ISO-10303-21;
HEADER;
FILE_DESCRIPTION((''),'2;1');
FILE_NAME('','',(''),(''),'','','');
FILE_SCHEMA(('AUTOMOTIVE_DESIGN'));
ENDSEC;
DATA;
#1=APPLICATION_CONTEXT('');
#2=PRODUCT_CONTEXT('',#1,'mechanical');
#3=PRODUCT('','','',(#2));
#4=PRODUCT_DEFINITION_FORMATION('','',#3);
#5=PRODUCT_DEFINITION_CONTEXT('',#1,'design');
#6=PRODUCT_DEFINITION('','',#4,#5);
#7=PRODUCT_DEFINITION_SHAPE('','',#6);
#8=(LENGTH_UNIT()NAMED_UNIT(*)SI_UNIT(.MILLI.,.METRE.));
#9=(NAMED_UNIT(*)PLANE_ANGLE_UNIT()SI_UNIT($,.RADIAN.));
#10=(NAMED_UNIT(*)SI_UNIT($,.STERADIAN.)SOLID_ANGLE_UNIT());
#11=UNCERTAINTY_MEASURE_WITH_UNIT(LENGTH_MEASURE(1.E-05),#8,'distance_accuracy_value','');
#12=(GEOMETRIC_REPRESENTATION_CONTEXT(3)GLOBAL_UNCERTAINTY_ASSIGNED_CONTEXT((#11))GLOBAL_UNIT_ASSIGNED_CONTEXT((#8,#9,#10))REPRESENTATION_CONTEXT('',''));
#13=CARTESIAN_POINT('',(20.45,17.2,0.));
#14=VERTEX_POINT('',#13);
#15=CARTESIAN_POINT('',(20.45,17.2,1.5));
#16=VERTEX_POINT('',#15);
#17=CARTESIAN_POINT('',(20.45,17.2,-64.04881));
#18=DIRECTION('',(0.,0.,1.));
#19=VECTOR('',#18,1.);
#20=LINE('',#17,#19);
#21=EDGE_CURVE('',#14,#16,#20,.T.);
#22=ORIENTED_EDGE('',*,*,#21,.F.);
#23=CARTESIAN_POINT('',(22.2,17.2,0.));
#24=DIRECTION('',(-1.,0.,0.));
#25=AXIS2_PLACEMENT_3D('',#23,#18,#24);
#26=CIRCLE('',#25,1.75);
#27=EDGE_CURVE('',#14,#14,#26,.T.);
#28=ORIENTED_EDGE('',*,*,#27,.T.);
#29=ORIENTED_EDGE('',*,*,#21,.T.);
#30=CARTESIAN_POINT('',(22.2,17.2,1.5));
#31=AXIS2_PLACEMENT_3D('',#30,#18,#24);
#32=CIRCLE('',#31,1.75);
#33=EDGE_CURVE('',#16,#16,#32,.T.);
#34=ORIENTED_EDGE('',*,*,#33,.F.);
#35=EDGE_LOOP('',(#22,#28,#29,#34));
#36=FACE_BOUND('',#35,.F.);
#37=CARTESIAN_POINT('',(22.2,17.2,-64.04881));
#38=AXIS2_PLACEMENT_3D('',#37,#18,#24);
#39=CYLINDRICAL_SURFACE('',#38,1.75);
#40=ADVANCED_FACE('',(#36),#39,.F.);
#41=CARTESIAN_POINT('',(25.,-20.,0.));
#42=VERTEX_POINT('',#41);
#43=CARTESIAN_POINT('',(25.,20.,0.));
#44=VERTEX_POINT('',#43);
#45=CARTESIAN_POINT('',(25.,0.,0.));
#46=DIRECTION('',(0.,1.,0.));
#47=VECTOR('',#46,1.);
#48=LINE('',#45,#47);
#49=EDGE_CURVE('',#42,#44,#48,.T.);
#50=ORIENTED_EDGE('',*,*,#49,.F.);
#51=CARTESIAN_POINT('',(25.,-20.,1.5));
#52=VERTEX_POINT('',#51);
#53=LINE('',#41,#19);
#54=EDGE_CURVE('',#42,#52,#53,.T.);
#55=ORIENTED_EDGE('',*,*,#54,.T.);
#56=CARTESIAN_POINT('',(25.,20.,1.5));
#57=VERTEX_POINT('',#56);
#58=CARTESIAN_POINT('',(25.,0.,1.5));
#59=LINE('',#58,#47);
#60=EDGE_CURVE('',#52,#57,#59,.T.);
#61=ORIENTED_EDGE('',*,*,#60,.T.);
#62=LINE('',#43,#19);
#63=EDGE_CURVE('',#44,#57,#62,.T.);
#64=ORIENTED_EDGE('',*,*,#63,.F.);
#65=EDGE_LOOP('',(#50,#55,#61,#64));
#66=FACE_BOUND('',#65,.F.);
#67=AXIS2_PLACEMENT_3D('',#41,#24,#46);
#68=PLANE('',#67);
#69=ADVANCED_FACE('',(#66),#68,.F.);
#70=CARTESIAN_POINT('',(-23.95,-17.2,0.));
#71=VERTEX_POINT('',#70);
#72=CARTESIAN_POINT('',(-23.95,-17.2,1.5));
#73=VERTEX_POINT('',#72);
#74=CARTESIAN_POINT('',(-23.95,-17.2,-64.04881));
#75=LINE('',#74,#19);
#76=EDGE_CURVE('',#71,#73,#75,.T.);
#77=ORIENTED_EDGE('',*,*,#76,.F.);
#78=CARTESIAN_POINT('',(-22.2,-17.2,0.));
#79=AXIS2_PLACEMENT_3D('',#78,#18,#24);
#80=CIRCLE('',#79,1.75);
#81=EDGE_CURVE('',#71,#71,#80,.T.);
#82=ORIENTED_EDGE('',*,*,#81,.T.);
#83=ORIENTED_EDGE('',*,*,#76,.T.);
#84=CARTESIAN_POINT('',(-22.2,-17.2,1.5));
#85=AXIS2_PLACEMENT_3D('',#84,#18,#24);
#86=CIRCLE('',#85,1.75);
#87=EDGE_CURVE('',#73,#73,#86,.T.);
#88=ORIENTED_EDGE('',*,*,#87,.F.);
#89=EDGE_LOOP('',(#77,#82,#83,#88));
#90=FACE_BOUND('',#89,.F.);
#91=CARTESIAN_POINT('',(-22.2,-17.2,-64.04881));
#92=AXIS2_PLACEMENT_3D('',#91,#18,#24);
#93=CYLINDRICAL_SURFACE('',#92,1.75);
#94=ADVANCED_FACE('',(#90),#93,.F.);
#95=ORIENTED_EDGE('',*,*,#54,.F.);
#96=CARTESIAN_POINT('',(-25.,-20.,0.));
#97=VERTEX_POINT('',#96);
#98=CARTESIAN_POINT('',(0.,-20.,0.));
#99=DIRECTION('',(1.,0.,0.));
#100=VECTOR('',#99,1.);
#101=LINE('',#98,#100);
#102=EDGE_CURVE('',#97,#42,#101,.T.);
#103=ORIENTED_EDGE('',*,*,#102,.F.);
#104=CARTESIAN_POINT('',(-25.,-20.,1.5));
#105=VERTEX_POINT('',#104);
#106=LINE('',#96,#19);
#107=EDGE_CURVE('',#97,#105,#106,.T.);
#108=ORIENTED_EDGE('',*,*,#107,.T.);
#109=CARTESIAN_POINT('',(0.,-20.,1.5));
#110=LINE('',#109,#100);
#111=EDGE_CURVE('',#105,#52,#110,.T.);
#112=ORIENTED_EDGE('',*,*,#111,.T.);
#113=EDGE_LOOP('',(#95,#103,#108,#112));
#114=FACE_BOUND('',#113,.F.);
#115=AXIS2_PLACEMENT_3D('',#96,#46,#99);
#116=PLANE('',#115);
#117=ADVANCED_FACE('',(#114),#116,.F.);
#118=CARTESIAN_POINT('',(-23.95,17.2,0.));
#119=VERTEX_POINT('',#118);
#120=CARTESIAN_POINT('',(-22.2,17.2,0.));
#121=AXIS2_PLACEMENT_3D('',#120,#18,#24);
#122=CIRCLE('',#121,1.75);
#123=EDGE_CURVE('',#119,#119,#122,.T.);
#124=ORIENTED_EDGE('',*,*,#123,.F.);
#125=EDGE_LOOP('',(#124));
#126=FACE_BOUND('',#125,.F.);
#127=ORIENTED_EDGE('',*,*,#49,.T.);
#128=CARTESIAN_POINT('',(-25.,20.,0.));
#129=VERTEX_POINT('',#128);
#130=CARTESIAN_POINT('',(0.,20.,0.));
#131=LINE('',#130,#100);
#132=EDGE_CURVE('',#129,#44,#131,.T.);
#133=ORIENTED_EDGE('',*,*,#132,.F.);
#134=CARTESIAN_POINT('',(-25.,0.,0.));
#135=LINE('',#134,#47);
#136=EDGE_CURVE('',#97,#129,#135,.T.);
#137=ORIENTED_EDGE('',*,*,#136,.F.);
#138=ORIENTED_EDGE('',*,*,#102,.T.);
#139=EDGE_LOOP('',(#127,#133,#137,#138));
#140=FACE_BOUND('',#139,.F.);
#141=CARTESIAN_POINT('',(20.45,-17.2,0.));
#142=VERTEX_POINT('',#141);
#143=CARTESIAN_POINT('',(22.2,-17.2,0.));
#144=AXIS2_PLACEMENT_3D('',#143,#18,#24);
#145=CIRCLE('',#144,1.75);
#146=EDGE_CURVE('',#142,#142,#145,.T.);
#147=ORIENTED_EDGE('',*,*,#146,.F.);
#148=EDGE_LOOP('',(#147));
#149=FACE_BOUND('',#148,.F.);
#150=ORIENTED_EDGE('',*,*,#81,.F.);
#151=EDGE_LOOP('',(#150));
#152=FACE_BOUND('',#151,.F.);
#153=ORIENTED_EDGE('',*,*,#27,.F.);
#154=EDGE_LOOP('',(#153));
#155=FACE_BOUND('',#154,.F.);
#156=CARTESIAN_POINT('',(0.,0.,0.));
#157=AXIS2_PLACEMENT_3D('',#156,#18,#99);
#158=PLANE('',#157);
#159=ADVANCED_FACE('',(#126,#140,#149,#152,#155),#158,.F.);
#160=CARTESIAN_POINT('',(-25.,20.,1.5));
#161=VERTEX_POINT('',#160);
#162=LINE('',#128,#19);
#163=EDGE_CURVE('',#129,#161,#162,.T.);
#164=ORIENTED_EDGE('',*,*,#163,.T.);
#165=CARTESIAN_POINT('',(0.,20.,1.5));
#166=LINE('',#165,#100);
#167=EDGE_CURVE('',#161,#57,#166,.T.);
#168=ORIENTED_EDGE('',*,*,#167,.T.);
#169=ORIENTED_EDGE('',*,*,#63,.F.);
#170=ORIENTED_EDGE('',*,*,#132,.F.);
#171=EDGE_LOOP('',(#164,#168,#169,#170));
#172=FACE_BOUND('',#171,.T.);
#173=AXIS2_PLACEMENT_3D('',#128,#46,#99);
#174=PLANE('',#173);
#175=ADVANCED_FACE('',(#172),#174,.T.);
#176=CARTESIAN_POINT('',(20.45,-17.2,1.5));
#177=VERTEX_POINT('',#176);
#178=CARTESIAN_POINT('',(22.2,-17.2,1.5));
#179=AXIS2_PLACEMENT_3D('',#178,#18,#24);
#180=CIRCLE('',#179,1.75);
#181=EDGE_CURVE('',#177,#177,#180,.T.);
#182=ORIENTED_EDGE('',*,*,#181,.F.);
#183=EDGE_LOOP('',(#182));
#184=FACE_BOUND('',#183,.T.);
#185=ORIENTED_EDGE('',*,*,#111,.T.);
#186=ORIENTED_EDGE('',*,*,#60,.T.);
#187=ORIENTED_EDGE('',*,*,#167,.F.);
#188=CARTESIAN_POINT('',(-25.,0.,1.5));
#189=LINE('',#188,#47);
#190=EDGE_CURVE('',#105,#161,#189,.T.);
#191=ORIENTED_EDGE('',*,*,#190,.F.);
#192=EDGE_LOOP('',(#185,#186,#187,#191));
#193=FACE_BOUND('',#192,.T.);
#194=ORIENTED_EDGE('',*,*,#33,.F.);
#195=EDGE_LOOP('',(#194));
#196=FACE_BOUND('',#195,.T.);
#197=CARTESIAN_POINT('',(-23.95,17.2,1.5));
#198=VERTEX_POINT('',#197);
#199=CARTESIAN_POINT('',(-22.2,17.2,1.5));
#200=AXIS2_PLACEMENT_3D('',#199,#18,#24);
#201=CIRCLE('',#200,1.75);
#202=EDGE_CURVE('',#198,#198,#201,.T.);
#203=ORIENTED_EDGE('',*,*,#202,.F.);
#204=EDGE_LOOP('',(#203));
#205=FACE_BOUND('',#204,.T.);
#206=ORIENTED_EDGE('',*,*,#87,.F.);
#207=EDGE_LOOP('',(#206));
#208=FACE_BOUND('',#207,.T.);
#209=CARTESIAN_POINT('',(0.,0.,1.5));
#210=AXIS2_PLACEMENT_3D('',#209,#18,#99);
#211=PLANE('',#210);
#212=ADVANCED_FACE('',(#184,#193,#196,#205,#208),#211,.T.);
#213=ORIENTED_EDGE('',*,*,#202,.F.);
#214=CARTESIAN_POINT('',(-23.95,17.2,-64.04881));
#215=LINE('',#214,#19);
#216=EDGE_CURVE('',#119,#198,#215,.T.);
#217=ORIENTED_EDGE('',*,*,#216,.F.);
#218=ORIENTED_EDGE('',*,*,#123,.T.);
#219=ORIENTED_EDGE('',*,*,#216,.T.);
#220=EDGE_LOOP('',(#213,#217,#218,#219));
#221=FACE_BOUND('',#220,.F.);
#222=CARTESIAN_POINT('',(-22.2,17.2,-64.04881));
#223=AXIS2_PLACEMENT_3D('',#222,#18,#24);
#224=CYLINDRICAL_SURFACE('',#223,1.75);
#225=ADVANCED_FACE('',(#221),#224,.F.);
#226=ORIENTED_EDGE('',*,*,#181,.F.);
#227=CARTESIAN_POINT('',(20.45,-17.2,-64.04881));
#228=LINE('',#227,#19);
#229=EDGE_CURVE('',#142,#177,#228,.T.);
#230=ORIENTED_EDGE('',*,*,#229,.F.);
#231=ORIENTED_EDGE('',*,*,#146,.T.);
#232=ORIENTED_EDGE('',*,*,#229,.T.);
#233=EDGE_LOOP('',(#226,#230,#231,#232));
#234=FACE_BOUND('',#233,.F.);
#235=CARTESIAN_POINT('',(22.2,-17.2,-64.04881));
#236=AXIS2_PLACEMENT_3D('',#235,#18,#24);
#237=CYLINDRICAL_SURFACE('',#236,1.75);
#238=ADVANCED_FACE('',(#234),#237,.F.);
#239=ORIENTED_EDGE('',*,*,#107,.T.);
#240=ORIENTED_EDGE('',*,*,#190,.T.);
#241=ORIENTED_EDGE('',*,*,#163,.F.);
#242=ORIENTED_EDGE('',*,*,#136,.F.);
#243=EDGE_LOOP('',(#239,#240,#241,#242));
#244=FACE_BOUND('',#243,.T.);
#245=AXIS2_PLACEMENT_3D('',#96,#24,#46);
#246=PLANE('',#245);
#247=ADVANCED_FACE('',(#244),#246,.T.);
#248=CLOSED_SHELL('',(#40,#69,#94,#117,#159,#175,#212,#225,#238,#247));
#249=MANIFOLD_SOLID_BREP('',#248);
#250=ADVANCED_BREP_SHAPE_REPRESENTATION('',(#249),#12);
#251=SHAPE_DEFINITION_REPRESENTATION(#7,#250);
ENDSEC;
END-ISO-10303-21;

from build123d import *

# Parameters (mm, degrees)
F2_W     = 50
F2_H     = 40
F3_DEPTH = 1.5
F4_D     = 3.5


with BuildPart() as f3:
    # F2 (on Top) → F3 (new body)
    with BuildSketch(Plane.XY):
        Rectangle(F2_W, F2_H)
    extrude(amount=F3_DEPTH)

    # F4 (through all)
    with Locations(Plane(origin=(0, 0, 0), x_dir=(1, 0, 0), z_dir=(0, 0, -1))):
        with Locations((-22.2, 17.2), (-22.2, -17.2), (22.2, 17.2), (22.2, -17.2)):
            Hole(F4_D / 2)


solid = f3.part
